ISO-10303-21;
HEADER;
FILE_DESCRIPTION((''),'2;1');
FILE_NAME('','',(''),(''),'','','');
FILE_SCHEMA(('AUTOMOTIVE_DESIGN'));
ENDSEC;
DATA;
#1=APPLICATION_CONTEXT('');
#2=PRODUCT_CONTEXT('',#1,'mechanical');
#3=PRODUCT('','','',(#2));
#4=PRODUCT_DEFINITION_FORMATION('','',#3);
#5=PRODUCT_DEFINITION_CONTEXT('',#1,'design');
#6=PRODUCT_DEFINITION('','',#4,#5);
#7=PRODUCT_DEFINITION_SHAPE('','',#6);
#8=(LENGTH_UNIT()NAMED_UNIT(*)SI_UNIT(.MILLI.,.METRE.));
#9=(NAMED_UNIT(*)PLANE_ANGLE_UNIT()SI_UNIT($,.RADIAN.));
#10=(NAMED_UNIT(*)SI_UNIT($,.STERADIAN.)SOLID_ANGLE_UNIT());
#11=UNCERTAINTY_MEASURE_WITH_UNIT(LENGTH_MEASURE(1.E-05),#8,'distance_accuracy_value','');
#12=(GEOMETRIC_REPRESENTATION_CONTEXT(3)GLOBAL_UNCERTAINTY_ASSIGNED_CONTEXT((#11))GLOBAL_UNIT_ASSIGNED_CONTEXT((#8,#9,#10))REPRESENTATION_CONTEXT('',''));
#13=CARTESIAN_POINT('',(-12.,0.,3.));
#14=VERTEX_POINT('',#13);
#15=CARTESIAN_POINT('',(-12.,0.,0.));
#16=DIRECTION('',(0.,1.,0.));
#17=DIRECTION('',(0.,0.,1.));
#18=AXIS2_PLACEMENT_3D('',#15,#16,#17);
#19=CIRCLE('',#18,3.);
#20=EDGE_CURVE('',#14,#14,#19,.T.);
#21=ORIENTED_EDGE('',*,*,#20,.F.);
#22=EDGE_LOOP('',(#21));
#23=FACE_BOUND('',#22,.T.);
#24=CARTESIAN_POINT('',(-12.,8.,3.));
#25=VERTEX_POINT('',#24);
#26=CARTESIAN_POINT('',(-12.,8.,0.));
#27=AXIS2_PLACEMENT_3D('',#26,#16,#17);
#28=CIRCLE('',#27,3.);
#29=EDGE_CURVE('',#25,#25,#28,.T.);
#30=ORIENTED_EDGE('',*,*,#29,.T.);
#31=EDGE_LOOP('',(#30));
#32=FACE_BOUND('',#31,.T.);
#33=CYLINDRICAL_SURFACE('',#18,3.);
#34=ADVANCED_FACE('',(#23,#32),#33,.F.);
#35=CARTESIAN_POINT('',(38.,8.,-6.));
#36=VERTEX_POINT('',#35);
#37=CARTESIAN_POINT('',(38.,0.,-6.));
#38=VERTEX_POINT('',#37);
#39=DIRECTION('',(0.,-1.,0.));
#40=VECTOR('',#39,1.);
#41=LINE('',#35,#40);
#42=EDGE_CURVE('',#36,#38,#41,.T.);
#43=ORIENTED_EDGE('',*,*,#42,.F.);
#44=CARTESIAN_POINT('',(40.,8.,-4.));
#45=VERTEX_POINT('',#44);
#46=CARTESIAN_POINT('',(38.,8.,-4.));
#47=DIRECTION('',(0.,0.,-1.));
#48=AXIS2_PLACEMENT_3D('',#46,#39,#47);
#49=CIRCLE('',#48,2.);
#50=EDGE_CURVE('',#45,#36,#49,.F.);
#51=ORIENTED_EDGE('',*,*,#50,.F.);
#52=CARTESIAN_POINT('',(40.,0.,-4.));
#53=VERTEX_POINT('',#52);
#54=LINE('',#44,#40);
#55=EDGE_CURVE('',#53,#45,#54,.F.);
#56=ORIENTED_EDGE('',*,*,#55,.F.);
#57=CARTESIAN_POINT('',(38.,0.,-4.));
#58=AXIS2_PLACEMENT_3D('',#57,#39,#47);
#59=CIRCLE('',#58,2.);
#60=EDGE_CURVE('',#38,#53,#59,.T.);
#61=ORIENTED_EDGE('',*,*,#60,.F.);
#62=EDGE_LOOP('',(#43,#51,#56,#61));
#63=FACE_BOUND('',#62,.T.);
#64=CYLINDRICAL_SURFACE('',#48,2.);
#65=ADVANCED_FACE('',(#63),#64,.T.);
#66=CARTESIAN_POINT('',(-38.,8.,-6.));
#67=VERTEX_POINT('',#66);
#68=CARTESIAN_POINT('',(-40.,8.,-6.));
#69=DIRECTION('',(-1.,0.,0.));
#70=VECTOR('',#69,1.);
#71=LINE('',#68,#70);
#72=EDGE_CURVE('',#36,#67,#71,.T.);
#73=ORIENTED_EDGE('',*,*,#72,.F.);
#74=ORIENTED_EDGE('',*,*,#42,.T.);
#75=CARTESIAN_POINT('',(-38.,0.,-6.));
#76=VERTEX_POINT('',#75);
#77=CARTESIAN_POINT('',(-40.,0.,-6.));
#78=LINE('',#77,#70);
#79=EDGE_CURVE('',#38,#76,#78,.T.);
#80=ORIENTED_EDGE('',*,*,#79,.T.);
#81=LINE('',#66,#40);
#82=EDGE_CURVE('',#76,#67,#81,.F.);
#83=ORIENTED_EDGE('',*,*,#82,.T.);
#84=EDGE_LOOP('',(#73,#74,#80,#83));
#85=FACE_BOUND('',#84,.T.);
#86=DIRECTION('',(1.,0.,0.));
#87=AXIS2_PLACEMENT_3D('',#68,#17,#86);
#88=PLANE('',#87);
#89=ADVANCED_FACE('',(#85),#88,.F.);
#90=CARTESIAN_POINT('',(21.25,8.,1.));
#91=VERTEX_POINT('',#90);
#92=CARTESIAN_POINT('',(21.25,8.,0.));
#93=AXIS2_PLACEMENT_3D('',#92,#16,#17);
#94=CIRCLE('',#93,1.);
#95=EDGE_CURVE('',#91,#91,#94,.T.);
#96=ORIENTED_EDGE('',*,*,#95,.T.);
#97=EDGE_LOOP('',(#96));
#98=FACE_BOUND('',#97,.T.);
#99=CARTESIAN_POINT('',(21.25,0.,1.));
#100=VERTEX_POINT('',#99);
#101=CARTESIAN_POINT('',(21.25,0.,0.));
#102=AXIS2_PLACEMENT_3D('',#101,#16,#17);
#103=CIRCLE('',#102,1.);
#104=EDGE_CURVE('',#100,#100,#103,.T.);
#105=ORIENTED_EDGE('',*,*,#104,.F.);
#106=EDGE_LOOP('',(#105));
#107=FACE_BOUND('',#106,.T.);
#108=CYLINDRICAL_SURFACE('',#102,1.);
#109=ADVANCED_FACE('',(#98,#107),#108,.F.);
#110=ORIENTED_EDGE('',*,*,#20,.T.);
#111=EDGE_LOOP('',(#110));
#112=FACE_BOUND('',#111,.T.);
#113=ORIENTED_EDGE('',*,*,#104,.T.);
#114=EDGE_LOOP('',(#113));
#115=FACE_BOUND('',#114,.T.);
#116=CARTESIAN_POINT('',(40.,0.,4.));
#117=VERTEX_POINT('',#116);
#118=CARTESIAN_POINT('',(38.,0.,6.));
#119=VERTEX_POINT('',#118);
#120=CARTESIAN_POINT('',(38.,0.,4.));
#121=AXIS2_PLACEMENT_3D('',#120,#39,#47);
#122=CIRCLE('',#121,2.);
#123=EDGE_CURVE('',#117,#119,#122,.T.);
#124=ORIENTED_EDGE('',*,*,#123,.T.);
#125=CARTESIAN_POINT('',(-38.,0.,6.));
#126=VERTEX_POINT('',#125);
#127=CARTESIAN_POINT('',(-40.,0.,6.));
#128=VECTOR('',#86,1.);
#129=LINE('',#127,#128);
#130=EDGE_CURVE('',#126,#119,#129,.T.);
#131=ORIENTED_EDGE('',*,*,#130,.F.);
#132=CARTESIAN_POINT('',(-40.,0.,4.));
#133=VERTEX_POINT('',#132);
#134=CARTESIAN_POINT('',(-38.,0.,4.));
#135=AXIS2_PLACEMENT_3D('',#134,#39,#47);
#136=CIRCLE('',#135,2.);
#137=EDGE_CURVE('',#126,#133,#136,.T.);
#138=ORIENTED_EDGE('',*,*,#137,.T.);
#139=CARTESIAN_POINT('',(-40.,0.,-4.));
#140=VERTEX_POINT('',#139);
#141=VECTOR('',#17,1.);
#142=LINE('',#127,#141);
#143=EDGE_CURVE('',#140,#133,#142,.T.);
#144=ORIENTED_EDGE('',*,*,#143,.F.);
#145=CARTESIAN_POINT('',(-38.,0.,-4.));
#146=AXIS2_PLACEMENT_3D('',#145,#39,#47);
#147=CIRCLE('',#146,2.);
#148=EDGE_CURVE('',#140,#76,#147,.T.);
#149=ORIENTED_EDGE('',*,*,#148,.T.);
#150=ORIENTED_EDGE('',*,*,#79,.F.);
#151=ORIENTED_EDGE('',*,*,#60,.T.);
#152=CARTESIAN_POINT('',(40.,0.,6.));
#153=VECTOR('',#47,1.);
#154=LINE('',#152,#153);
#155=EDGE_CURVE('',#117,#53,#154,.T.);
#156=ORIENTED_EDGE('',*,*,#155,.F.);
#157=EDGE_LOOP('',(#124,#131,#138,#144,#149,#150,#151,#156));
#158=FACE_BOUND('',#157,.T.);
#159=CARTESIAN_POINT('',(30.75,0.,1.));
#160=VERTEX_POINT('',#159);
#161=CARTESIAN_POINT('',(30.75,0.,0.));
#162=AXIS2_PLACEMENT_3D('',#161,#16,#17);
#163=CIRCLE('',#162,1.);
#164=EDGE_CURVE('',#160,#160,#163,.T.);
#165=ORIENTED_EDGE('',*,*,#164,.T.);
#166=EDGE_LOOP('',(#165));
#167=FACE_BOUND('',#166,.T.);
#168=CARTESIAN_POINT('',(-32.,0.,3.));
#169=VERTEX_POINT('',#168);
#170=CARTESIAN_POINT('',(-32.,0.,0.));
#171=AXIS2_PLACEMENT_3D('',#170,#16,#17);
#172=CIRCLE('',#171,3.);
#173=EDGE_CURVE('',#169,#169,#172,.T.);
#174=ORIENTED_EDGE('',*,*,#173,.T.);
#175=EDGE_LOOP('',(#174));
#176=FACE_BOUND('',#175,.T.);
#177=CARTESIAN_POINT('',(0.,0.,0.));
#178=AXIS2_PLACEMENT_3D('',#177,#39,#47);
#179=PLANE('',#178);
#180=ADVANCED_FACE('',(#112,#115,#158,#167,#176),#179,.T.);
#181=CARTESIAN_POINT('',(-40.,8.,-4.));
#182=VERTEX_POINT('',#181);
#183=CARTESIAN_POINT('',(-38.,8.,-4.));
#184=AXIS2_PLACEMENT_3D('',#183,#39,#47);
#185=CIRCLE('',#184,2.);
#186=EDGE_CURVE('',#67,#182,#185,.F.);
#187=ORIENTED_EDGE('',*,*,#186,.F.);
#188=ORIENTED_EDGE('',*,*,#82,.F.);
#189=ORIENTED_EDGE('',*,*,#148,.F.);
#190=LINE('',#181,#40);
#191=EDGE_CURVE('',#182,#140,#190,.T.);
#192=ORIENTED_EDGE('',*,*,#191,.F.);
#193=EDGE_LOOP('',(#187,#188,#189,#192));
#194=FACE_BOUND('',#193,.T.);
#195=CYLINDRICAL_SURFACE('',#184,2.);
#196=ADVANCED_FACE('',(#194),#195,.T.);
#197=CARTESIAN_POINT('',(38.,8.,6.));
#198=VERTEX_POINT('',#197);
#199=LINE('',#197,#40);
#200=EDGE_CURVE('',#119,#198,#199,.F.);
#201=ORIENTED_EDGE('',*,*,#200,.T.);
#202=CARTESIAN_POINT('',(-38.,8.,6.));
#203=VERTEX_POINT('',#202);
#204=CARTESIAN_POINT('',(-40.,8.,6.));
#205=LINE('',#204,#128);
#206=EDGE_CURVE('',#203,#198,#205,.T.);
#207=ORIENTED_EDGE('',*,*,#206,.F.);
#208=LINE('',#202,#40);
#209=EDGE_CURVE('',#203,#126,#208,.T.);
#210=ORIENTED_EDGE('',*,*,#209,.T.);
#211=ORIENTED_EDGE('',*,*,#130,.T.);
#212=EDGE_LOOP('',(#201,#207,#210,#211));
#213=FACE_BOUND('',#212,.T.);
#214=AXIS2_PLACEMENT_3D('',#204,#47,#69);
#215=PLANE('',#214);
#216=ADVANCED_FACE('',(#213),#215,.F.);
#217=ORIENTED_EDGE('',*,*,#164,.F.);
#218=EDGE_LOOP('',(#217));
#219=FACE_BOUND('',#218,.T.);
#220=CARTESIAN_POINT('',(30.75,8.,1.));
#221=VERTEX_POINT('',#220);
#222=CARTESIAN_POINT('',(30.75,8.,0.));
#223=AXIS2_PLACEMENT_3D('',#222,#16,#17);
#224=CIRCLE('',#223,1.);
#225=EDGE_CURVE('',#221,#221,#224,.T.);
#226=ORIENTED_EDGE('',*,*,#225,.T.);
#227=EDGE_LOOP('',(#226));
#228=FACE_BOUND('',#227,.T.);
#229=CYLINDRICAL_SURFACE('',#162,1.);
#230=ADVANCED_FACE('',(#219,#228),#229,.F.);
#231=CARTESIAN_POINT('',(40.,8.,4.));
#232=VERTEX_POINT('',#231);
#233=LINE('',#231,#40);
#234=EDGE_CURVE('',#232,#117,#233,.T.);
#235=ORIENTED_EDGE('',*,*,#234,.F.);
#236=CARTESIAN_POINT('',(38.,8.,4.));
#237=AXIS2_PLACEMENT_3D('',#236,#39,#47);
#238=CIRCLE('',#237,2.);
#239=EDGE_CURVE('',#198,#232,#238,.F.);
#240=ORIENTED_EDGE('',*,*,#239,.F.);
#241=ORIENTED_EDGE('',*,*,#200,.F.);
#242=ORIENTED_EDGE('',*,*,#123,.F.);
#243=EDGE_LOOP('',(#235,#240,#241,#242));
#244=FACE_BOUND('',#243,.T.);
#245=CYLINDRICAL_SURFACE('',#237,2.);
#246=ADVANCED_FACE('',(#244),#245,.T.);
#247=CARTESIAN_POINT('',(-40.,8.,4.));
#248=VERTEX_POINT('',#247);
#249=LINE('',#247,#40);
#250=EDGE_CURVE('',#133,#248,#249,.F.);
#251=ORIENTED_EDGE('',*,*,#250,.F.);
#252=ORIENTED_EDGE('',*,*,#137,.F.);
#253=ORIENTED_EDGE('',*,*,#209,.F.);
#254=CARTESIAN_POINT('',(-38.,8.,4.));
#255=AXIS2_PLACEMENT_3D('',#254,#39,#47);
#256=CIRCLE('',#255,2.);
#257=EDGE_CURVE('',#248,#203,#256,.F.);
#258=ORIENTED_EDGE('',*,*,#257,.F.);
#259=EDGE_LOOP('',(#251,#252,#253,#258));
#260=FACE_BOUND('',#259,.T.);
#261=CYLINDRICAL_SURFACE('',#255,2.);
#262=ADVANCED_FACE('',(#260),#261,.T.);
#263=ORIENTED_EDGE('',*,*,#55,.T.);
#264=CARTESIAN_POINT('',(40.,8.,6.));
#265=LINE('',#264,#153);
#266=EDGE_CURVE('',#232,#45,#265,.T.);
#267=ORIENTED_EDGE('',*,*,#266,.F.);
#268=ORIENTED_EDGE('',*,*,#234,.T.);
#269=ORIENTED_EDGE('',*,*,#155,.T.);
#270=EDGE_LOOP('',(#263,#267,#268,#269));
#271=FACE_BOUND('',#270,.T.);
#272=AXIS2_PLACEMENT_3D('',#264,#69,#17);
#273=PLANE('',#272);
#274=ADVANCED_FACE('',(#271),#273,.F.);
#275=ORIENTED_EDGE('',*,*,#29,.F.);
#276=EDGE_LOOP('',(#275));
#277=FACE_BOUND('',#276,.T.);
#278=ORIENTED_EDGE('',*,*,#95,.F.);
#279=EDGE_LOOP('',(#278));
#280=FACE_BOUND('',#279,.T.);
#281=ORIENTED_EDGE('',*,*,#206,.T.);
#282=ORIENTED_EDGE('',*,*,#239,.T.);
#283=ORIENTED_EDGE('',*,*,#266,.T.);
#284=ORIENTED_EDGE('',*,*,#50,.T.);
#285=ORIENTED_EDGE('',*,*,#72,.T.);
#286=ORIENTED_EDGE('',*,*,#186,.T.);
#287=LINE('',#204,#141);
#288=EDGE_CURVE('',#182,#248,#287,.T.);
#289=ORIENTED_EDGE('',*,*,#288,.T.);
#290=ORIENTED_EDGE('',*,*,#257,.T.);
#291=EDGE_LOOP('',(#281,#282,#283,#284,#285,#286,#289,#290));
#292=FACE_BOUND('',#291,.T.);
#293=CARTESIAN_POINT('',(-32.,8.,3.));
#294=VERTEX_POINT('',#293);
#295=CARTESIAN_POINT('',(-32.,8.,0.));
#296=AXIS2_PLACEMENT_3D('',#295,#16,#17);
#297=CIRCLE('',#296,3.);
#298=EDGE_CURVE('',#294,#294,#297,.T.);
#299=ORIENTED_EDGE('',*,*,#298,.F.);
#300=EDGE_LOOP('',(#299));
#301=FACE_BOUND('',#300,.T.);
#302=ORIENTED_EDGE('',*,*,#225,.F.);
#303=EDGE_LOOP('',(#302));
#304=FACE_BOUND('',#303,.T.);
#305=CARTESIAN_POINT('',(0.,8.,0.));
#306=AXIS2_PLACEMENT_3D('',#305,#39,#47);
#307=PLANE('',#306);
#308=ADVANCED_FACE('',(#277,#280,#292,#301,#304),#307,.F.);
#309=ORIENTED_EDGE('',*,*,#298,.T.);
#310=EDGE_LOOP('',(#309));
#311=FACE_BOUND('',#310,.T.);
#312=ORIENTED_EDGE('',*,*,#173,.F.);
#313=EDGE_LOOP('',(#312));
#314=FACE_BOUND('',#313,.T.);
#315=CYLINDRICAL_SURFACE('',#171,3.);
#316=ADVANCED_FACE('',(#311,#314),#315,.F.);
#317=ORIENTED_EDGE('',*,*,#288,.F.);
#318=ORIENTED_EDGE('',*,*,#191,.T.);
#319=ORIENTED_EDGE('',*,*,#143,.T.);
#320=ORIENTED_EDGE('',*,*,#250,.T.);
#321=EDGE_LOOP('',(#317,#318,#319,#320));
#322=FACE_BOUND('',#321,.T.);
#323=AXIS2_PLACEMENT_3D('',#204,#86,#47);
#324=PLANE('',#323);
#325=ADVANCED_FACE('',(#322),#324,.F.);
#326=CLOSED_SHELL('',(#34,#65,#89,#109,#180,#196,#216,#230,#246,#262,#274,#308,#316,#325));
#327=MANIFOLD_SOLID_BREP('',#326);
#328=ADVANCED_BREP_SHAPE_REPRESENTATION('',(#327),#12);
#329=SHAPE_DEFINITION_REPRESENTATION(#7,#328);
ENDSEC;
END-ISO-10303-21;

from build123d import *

# Parameters (mm, degrees)
SKETCH1_W           = 80
SKETCH1_H           = 12
BOSS_EXTRUDE1_DEPTH = 8
SKETCH2_R           = 3
SKETCH2_R_2         = 1
CUT_EXTRUDE1_DEPTH  = 42.231056256
FILLET1_R           = 2


with BuildPart() as part:
    # Sketch1 → Boss-Extrude1 (new body)
    with BuildSketch(Plane(origin=(0, 0, 0), x_dir=(1, 0, 0), z_dir=(0, 1, 0))):
        Rectangle(SKETCH1_W, SKETCH1_H)
    extrude(amount=BOSS_EXTRUDE1_DEPTH)

    # Sketch2 → Cut-Extrude1 (cut, through all)
    with BuildSketch(Plane(origin=(0, 8, 0), x_dir=(1, 0, 0), z_dir=(0, 1, 0))):
        with Locations(Location((-32, 0, 0), (0, 0, 270))):
            Circle(SKETCH2_R)
        with Locations(Location((-12, 0, 0), (0, 0, 270))):
            Circle(SKETCH2_R)
        with Locations(Location((21.25, 0, 0), (0, 0, 270))):
            Circle(SKETCH2_R_2)
        with Locations(Location((30.75, 0, 0), (0, 0, 270))):
            Circle(SKETCH2_R_2)
    extrude(amount=-CUT_EXTRUDE1_DEPTH, mode=Mode.SUBTRACT)

    # Fillet1
    fillet1_edges = [part.edges().sort_by_distance(p)[0] for p in [
        (40, 4, 6),
        (-40, 4, 6),
        (-40, 4, -6),
        (40, 4, -6),
    ]]
    fillet(fillet1_edges, radius=FILLET1_R)


solid = part.part
